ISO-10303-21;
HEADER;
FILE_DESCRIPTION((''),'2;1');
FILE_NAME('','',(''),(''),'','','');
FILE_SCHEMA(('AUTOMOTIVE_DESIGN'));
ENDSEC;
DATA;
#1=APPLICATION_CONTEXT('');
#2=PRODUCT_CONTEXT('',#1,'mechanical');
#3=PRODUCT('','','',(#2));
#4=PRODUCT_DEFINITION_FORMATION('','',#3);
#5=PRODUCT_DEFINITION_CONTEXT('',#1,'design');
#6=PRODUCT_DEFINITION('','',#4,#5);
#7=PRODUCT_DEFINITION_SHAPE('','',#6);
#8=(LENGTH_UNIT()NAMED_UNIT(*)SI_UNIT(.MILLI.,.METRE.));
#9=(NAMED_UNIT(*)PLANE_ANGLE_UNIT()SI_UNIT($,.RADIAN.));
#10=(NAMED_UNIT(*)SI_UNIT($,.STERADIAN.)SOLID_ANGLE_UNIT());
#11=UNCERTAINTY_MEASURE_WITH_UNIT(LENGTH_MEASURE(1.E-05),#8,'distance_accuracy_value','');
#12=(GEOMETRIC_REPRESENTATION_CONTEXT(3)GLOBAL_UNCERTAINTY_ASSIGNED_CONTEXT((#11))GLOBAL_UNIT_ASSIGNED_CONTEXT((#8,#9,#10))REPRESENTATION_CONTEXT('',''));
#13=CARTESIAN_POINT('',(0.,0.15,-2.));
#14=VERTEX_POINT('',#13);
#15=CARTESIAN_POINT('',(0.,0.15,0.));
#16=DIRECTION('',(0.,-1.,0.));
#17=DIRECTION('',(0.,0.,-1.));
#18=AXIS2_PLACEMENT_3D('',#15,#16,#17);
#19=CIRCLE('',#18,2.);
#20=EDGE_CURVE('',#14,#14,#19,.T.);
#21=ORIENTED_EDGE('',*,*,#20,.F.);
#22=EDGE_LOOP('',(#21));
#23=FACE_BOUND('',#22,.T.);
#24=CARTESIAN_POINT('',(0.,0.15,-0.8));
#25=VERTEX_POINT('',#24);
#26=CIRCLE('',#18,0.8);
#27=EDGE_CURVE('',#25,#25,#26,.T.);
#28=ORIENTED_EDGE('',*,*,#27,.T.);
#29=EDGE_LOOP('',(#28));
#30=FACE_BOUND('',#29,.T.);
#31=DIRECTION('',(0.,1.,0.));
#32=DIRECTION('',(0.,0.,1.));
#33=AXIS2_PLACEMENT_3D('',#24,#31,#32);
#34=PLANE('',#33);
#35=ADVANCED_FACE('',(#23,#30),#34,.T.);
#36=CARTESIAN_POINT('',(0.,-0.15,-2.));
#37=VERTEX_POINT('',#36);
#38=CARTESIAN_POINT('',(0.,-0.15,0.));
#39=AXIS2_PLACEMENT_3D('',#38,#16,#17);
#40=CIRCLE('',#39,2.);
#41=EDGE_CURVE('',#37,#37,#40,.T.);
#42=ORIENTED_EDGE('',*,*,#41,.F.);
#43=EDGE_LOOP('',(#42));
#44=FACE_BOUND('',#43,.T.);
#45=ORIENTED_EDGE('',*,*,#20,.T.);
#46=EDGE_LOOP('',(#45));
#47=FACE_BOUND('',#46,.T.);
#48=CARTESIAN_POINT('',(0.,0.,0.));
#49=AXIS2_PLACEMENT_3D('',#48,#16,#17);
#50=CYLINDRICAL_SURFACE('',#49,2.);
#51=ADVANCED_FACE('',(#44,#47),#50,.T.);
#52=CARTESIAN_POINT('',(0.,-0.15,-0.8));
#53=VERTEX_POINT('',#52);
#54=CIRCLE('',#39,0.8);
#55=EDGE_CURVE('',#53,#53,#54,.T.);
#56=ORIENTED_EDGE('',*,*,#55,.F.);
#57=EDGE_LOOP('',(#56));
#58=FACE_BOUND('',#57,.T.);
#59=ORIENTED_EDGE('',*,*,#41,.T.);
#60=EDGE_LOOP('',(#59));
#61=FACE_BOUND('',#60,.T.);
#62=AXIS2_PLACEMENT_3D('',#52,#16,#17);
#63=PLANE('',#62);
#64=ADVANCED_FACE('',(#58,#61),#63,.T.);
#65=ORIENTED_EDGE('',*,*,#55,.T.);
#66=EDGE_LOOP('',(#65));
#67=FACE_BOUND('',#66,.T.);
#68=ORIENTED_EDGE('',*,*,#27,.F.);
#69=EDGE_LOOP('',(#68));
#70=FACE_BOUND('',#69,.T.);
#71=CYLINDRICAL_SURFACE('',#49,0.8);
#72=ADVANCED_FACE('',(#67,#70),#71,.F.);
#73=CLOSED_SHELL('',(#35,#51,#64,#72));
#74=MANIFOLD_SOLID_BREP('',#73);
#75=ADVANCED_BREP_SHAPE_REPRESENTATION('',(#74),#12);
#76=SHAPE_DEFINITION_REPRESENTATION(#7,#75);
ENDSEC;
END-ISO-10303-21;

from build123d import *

# Parameters (mm, degrees)
SKETCH_1_W = 1.2
SKETCH_1_H = 0.3


with BuildPart() as part:
    # 草图1 → 旋转1 (revolve)
    with BuildSketch(Plane(origin=(0, 0, 0), x_dir=(0, 0, -1), z_dir=(1, 0, 0))):
        with Locations((1.4, 0)):
            Rectangle(SKETCH_1_W, SKETCH_1_H)
    revolve(axis=Axis((0, 0, 0), (0, 1, 0)))


solid = part.part
